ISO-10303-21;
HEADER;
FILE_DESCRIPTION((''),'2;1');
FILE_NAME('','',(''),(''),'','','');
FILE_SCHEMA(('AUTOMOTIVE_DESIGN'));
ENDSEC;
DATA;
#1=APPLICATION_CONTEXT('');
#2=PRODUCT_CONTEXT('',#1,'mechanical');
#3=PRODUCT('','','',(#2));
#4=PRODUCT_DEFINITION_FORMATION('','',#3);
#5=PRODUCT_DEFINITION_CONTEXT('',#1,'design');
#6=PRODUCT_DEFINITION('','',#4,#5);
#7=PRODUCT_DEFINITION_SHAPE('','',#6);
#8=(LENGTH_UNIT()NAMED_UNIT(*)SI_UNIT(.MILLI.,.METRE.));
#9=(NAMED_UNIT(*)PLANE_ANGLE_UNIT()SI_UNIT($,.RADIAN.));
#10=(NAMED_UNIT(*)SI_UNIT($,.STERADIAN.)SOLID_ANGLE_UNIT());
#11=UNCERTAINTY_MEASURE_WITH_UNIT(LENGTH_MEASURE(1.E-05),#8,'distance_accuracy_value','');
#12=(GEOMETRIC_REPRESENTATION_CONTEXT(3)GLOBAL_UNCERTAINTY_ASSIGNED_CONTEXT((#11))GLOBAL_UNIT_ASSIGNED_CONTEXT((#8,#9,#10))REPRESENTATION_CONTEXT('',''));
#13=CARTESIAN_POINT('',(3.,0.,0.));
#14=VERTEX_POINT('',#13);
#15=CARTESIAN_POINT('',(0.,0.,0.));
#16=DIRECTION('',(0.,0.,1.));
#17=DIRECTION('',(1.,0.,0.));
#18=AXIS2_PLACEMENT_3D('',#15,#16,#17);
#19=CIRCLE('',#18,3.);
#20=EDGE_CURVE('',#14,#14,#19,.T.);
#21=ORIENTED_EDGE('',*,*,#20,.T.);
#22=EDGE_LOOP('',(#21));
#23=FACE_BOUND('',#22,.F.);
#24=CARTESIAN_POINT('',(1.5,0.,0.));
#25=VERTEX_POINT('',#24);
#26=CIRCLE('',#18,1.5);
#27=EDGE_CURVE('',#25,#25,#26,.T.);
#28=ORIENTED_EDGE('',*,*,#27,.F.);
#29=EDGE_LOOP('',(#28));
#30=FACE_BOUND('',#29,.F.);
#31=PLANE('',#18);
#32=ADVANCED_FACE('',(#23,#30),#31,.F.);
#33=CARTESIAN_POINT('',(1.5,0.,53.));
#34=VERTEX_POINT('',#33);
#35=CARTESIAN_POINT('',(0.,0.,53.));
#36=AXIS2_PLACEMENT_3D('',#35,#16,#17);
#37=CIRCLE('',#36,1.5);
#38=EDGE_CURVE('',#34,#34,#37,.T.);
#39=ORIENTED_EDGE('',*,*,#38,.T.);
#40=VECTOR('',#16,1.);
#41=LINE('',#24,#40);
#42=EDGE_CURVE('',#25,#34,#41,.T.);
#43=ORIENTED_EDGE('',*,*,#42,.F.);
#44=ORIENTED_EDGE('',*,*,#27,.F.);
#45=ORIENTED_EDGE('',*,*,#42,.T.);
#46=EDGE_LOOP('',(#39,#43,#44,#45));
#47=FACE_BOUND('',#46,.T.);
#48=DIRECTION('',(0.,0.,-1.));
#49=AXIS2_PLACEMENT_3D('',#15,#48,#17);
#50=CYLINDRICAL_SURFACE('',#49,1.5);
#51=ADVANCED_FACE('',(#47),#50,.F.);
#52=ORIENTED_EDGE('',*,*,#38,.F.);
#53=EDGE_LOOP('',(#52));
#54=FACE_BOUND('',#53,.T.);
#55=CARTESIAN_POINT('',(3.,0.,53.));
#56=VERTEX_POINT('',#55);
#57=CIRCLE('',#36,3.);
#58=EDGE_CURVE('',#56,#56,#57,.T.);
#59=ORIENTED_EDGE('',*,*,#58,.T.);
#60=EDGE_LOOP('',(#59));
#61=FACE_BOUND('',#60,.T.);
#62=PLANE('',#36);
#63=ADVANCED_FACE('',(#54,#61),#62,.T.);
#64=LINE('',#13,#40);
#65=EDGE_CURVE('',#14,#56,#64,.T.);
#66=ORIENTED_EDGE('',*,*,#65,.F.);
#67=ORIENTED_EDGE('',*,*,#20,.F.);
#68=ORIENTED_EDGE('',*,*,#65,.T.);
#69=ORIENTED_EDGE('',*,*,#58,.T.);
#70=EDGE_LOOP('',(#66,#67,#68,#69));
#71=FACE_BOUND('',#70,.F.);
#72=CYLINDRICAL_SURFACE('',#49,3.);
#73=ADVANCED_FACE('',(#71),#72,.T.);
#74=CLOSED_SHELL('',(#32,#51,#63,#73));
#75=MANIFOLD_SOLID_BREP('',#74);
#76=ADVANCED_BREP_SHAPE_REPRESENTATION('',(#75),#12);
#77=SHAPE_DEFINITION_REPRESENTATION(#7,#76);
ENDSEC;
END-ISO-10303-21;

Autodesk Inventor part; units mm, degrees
ref_plane "YZ Plane" through (0, 0, 0) normal (1, 0, 0) x (0, 1, 0)
ref_plane "XZ Plane" through (0, 0, 0) normal (0, 1, 0) x (-1, 0, 0)
ref_plane "XY Plane" through (0, 0, 0) normal (0, 0, 1) x (1, 0, 0)
sketch "スケッチ1" plane through (0, 0, 0) normal (0, 0, 1) x (1, 0, 0)
  circle A0 centre (0, 0) radius 3
  circle A1 centre (0, 0) radius 1.5
  dimension "d0" = 6
  dimension "d1" = 3
extrude "押し出し1" add sketch "スケッチ1" along normal blind 53
properties part number "ロボット回転_ベアリングシャフト_2" material "アルミニウム 6061"
